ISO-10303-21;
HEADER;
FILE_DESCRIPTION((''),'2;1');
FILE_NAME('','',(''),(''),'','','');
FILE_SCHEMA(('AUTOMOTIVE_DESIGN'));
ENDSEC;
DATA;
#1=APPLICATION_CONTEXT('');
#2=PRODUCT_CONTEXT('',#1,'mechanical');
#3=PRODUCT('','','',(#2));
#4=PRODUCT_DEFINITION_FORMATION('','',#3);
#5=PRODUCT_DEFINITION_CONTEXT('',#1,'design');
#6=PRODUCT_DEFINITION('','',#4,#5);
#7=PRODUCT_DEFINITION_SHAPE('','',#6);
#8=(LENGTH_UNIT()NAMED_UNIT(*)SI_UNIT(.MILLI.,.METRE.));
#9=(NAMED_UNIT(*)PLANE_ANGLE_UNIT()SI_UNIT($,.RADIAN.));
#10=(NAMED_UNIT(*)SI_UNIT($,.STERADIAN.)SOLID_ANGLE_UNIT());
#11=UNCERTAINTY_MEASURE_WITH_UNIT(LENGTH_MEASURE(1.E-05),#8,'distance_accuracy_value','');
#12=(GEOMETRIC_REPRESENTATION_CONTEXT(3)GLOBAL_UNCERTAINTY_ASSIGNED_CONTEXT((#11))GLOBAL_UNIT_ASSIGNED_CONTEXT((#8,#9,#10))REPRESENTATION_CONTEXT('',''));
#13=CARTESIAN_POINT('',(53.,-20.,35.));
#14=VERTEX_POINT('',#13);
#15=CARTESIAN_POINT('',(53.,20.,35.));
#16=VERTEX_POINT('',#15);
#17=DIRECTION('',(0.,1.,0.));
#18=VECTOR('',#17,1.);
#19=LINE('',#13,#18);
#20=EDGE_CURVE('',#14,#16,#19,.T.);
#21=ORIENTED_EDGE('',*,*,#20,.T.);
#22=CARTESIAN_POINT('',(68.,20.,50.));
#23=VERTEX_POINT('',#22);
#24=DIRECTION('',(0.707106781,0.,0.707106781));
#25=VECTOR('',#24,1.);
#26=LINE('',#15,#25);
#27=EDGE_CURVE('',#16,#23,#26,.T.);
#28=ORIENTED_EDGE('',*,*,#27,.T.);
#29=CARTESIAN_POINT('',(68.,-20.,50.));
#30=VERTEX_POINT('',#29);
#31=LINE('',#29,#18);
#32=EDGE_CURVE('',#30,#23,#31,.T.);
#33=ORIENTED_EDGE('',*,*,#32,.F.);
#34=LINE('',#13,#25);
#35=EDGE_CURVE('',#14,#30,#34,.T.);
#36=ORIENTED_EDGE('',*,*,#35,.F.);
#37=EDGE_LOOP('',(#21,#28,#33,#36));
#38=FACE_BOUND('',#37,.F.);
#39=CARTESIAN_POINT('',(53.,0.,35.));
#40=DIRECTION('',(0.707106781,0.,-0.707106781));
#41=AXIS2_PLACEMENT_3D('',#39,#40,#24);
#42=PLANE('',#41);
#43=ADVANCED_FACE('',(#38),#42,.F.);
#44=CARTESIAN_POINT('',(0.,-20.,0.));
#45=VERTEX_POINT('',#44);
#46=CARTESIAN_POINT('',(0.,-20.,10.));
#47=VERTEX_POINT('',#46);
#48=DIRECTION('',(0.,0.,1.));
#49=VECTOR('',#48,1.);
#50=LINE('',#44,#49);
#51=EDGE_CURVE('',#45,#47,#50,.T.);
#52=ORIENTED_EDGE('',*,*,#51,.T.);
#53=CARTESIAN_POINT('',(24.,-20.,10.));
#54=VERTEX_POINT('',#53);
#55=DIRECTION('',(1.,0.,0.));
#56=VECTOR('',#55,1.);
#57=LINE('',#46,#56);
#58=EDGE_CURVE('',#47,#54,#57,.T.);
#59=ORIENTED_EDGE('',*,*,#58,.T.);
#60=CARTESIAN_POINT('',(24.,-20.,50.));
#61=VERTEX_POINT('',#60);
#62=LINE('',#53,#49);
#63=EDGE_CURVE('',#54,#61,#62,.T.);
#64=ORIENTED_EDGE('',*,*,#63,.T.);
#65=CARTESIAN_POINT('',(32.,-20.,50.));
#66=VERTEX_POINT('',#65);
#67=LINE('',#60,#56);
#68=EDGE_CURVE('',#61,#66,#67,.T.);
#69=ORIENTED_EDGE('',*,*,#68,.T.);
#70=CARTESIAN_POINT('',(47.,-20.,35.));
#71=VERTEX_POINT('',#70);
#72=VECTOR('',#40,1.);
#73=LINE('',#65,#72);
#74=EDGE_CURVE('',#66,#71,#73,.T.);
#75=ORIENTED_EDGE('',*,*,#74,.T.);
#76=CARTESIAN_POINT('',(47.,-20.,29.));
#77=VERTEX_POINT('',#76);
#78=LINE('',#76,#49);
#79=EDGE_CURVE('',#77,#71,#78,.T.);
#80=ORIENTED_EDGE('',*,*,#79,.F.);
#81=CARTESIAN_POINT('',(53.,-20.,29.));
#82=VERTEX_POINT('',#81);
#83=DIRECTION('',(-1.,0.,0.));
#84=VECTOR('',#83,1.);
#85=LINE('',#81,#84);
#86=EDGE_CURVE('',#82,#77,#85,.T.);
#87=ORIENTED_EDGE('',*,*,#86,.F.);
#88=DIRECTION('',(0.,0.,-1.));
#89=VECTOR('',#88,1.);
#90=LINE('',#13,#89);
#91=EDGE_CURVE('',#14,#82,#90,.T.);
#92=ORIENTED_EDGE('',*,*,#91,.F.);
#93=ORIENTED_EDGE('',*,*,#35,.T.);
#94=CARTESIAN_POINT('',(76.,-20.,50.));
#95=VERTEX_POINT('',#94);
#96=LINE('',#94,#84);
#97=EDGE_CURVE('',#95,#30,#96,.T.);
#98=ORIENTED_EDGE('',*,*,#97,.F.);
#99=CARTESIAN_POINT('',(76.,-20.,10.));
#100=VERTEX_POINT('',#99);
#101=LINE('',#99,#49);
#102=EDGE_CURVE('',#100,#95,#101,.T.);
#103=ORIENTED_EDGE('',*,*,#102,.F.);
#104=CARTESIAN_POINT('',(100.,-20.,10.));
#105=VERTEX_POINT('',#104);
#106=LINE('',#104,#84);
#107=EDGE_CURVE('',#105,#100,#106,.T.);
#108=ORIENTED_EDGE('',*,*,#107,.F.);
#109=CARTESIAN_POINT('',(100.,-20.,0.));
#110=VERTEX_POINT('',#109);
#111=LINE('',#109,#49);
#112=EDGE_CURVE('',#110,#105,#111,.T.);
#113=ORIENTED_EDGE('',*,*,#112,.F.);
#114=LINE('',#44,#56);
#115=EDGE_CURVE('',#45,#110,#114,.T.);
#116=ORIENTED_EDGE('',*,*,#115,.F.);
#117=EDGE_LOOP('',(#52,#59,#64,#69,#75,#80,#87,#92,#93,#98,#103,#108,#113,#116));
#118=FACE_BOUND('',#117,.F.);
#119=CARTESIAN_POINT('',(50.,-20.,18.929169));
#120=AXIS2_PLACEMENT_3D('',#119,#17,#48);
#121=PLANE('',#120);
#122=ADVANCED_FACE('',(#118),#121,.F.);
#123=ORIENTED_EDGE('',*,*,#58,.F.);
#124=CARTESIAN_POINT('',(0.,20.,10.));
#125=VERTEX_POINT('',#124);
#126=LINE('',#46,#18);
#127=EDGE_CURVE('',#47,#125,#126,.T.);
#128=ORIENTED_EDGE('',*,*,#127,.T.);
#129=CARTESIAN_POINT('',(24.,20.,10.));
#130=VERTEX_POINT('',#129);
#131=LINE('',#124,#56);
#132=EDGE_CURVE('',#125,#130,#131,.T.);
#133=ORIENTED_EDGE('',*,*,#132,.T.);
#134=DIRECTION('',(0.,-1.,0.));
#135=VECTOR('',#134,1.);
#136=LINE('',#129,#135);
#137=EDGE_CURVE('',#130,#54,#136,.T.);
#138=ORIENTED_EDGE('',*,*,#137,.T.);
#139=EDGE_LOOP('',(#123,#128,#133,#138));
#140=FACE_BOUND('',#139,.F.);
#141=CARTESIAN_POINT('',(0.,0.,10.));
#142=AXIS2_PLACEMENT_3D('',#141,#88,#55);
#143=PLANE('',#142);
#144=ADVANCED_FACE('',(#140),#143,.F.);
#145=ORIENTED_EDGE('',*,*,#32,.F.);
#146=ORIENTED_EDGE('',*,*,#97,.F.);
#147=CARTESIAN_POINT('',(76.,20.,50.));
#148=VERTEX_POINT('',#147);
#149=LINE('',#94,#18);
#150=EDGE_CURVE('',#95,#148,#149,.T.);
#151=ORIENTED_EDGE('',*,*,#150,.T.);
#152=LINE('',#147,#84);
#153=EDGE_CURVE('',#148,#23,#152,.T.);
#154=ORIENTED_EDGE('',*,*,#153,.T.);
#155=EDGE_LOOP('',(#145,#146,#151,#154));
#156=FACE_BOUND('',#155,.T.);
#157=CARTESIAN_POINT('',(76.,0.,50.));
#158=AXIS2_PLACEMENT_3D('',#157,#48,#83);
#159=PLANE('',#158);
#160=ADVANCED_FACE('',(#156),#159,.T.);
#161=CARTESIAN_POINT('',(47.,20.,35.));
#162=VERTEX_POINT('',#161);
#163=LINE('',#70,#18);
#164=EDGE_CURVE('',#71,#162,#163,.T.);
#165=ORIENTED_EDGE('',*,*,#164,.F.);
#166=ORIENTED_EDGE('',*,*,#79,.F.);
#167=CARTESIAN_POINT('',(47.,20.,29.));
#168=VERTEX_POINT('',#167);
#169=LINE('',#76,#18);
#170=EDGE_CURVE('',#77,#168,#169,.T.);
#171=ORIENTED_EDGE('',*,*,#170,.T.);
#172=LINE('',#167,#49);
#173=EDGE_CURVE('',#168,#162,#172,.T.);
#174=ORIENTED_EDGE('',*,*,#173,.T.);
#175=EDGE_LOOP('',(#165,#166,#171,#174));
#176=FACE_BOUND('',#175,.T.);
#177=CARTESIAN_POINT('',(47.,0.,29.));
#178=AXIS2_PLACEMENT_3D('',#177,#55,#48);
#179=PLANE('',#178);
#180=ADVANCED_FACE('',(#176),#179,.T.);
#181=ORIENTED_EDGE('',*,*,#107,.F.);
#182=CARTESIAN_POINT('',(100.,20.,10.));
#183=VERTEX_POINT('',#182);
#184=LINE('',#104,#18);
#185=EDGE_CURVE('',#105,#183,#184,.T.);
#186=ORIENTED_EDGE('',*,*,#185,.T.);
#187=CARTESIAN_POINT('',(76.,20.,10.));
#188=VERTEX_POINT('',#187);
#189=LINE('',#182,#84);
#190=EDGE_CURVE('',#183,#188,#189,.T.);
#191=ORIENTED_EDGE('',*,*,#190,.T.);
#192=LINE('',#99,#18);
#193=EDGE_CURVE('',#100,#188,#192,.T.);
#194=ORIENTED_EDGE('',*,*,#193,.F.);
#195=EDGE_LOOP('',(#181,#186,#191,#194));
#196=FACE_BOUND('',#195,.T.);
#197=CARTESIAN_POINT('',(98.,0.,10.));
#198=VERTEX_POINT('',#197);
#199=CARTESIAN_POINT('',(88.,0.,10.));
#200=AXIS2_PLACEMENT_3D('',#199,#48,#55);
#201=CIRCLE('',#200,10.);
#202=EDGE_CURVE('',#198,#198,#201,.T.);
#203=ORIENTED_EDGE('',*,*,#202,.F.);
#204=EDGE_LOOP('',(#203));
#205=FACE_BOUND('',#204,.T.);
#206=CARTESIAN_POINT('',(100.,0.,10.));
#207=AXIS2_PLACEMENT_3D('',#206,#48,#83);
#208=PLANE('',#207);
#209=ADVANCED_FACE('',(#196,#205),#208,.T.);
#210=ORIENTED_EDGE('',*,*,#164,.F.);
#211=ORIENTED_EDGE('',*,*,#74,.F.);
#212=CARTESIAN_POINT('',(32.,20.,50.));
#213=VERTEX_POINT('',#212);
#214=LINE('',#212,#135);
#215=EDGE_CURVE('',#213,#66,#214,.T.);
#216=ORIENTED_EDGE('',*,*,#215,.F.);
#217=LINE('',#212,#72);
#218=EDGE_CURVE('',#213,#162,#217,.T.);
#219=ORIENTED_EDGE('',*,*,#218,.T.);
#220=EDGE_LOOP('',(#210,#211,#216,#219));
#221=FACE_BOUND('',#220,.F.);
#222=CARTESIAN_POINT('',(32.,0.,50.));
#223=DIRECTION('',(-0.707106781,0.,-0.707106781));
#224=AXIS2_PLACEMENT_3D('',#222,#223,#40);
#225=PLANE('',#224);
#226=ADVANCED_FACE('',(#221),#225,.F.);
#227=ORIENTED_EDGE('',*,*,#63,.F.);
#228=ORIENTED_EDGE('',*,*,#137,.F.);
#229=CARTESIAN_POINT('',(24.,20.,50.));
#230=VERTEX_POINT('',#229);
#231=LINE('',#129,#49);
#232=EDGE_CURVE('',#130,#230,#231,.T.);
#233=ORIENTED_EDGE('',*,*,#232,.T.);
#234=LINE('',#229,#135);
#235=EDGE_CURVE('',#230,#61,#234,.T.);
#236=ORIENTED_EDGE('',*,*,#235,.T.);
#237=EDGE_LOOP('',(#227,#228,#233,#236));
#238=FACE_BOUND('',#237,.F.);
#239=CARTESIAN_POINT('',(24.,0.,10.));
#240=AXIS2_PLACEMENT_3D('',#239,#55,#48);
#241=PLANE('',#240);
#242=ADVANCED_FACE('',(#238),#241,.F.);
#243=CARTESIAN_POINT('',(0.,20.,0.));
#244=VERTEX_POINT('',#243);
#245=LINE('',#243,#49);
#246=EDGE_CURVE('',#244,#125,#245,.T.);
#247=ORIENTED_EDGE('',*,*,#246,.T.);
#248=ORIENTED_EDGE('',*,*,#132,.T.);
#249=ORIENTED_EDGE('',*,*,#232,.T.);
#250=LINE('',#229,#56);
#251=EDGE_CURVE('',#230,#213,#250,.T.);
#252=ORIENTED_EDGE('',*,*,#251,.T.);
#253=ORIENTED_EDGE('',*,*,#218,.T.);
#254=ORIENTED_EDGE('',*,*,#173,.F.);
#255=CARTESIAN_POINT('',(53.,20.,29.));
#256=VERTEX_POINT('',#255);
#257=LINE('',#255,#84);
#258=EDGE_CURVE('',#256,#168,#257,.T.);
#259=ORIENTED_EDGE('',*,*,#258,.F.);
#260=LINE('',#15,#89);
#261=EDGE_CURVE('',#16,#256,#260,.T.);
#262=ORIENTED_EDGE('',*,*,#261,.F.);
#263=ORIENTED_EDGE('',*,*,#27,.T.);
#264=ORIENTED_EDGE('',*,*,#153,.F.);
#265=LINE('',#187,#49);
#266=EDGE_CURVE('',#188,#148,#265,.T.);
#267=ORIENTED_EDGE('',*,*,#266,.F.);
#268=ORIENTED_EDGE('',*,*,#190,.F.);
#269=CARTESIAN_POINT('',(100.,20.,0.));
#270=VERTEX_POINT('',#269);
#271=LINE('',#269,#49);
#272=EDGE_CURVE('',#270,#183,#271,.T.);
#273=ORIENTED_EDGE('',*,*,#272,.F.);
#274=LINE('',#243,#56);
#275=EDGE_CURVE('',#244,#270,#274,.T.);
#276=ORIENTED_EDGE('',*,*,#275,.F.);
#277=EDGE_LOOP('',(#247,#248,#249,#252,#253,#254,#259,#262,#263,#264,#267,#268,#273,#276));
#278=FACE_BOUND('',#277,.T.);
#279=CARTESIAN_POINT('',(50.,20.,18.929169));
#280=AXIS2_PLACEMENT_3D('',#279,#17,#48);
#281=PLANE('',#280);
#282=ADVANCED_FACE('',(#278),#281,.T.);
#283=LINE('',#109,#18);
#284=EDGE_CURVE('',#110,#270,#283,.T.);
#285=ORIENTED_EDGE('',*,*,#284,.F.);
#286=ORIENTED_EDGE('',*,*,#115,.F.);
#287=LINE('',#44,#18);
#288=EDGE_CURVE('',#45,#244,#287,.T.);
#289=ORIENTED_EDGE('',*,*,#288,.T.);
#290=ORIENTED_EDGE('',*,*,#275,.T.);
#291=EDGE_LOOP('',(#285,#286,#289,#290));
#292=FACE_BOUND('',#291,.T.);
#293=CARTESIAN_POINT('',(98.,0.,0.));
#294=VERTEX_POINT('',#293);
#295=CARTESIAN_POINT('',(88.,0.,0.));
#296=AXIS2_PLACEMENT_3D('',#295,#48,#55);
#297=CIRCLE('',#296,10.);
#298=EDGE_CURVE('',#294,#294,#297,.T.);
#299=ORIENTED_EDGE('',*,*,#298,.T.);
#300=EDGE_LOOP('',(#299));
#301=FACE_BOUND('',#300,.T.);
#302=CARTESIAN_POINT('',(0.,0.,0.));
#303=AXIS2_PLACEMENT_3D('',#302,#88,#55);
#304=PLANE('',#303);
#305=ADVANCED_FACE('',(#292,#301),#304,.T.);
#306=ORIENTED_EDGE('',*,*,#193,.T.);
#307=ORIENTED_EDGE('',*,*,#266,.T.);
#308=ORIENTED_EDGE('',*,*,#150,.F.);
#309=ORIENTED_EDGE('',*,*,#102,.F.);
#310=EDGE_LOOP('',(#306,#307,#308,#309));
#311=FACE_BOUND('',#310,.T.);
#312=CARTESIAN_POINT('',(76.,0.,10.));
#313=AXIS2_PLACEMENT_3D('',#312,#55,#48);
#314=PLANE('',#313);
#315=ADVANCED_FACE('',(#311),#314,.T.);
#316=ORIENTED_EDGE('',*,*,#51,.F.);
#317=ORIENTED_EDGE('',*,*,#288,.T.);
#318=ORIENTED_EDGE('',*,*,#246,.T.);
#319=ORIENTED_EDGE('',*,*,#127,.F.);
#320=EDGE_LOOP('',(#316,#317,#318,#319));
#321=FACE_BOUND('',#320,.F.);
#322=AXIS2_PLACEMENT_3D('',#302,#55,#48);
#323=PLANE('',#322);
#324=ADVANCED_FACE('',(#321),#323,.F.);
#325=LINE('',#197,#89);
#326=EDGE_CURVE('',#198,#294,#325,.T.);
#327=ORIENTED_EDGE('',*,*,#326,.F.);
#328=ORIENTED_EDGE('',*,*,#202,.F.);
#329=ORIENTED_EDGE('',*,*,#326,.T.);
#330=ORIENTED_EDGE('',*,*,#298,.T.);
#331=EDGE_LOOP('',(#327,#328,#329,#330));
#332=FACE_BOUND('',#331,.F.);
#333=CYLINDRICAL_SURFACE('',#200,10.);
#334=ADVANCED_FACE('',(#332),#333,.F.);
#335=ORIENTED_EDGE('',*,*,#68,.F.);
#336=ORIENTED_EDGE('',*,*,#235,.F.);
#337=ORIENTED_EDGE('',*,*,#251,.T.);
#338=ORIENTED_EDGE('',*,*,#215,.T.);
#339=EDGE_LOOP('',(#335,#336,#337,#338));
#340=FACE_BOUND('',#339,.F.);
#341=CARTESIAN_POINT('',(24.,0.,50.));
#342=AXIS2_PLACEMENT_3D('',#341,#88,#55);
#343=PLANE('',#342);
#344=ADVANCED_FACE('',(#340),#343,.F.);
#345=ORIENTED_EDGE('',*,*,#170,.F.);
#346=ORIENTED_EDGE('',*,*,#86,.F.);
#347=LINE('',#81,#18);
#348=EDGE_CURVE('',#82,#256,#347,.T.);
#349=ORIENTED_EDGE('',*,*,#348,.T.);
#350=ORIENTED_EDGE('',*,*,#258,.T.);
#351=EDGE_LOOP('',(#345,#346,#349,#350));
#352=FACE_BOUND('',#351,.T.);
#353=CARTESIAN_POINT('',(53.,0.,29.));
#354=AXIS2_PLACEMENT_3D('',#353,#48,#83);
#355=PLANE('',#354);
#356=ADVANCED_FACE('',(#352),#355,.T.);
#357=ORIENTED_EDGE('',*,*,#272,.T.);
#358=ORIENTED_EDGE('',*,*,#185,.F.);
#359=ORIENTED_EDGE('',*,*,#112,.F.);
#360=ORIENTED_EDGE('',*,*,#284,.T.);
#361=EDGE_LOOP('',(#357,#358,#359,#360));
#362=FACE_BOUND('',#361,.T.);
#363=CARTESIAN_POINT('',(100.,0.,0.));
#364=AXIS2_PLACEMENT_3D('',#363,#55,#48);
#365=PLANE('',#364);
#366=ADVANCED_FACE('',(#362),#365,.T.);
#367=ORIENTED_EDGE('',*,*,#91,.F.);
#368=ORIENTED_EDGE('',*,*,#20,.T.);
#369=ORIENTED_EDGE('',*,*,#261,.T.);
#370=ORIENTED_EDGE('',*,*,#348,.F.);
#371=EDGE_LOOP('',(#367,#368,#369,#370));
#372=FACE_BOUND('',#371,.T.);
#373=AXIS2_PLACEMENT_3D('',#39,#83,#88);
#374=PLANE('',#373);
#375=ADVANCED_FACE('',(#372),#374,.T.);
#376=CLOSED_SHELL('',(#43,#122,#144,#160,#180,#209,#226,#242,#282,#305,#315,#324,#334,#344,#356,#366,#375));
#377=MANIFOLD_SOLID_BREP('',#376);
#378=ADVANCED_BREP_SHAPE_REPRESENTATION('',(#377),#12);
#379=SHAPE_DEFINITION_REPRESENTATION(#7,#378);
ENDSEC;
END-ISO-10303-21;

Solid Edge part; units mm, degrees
sketch "Sketch1" plane through (0, 0, 0) normal (0, -1, 0) x (1, 0, 0)
  line L0 (32, 50) -> (47, 35)
  line L1 (47, 29) -> (47, 35)
  line L2 (53, 29) -> (47, 29)
  line L3 (53, 35) -> (53, 29)
  line L4 (53, 35) -> (68, 50)
  line L5 (76, 50) -> (68, 50)
  line L6 (76, 10) -> (76, 50)
  line L7 (100, 10) -> (76, 10)
  line L8 (100, 0) -> (100, 10)
  line L9 (0, 0) -> (100, 0)
  line L10 (0, 0) -> (0, 10)
  line L11 (0, 10) -> (24, 10)
  line L12 (24, 10) -> (24, 50)
  line L13 (24, 50) -> (32, 50)
extrude "ExtrudedProtrusion_1" add sketch "Sketch1" against normal blind 20 and the other way blind 20
sketch "Sketch2" plane through (88, 0, 10) normal (0, 0, 1) x (1, 0, 0)
  circle A0 centre (0, 0) radius 10
extrude "ExtrudedCutout_1" cut sketch "Sketch2" against normal blind 10
